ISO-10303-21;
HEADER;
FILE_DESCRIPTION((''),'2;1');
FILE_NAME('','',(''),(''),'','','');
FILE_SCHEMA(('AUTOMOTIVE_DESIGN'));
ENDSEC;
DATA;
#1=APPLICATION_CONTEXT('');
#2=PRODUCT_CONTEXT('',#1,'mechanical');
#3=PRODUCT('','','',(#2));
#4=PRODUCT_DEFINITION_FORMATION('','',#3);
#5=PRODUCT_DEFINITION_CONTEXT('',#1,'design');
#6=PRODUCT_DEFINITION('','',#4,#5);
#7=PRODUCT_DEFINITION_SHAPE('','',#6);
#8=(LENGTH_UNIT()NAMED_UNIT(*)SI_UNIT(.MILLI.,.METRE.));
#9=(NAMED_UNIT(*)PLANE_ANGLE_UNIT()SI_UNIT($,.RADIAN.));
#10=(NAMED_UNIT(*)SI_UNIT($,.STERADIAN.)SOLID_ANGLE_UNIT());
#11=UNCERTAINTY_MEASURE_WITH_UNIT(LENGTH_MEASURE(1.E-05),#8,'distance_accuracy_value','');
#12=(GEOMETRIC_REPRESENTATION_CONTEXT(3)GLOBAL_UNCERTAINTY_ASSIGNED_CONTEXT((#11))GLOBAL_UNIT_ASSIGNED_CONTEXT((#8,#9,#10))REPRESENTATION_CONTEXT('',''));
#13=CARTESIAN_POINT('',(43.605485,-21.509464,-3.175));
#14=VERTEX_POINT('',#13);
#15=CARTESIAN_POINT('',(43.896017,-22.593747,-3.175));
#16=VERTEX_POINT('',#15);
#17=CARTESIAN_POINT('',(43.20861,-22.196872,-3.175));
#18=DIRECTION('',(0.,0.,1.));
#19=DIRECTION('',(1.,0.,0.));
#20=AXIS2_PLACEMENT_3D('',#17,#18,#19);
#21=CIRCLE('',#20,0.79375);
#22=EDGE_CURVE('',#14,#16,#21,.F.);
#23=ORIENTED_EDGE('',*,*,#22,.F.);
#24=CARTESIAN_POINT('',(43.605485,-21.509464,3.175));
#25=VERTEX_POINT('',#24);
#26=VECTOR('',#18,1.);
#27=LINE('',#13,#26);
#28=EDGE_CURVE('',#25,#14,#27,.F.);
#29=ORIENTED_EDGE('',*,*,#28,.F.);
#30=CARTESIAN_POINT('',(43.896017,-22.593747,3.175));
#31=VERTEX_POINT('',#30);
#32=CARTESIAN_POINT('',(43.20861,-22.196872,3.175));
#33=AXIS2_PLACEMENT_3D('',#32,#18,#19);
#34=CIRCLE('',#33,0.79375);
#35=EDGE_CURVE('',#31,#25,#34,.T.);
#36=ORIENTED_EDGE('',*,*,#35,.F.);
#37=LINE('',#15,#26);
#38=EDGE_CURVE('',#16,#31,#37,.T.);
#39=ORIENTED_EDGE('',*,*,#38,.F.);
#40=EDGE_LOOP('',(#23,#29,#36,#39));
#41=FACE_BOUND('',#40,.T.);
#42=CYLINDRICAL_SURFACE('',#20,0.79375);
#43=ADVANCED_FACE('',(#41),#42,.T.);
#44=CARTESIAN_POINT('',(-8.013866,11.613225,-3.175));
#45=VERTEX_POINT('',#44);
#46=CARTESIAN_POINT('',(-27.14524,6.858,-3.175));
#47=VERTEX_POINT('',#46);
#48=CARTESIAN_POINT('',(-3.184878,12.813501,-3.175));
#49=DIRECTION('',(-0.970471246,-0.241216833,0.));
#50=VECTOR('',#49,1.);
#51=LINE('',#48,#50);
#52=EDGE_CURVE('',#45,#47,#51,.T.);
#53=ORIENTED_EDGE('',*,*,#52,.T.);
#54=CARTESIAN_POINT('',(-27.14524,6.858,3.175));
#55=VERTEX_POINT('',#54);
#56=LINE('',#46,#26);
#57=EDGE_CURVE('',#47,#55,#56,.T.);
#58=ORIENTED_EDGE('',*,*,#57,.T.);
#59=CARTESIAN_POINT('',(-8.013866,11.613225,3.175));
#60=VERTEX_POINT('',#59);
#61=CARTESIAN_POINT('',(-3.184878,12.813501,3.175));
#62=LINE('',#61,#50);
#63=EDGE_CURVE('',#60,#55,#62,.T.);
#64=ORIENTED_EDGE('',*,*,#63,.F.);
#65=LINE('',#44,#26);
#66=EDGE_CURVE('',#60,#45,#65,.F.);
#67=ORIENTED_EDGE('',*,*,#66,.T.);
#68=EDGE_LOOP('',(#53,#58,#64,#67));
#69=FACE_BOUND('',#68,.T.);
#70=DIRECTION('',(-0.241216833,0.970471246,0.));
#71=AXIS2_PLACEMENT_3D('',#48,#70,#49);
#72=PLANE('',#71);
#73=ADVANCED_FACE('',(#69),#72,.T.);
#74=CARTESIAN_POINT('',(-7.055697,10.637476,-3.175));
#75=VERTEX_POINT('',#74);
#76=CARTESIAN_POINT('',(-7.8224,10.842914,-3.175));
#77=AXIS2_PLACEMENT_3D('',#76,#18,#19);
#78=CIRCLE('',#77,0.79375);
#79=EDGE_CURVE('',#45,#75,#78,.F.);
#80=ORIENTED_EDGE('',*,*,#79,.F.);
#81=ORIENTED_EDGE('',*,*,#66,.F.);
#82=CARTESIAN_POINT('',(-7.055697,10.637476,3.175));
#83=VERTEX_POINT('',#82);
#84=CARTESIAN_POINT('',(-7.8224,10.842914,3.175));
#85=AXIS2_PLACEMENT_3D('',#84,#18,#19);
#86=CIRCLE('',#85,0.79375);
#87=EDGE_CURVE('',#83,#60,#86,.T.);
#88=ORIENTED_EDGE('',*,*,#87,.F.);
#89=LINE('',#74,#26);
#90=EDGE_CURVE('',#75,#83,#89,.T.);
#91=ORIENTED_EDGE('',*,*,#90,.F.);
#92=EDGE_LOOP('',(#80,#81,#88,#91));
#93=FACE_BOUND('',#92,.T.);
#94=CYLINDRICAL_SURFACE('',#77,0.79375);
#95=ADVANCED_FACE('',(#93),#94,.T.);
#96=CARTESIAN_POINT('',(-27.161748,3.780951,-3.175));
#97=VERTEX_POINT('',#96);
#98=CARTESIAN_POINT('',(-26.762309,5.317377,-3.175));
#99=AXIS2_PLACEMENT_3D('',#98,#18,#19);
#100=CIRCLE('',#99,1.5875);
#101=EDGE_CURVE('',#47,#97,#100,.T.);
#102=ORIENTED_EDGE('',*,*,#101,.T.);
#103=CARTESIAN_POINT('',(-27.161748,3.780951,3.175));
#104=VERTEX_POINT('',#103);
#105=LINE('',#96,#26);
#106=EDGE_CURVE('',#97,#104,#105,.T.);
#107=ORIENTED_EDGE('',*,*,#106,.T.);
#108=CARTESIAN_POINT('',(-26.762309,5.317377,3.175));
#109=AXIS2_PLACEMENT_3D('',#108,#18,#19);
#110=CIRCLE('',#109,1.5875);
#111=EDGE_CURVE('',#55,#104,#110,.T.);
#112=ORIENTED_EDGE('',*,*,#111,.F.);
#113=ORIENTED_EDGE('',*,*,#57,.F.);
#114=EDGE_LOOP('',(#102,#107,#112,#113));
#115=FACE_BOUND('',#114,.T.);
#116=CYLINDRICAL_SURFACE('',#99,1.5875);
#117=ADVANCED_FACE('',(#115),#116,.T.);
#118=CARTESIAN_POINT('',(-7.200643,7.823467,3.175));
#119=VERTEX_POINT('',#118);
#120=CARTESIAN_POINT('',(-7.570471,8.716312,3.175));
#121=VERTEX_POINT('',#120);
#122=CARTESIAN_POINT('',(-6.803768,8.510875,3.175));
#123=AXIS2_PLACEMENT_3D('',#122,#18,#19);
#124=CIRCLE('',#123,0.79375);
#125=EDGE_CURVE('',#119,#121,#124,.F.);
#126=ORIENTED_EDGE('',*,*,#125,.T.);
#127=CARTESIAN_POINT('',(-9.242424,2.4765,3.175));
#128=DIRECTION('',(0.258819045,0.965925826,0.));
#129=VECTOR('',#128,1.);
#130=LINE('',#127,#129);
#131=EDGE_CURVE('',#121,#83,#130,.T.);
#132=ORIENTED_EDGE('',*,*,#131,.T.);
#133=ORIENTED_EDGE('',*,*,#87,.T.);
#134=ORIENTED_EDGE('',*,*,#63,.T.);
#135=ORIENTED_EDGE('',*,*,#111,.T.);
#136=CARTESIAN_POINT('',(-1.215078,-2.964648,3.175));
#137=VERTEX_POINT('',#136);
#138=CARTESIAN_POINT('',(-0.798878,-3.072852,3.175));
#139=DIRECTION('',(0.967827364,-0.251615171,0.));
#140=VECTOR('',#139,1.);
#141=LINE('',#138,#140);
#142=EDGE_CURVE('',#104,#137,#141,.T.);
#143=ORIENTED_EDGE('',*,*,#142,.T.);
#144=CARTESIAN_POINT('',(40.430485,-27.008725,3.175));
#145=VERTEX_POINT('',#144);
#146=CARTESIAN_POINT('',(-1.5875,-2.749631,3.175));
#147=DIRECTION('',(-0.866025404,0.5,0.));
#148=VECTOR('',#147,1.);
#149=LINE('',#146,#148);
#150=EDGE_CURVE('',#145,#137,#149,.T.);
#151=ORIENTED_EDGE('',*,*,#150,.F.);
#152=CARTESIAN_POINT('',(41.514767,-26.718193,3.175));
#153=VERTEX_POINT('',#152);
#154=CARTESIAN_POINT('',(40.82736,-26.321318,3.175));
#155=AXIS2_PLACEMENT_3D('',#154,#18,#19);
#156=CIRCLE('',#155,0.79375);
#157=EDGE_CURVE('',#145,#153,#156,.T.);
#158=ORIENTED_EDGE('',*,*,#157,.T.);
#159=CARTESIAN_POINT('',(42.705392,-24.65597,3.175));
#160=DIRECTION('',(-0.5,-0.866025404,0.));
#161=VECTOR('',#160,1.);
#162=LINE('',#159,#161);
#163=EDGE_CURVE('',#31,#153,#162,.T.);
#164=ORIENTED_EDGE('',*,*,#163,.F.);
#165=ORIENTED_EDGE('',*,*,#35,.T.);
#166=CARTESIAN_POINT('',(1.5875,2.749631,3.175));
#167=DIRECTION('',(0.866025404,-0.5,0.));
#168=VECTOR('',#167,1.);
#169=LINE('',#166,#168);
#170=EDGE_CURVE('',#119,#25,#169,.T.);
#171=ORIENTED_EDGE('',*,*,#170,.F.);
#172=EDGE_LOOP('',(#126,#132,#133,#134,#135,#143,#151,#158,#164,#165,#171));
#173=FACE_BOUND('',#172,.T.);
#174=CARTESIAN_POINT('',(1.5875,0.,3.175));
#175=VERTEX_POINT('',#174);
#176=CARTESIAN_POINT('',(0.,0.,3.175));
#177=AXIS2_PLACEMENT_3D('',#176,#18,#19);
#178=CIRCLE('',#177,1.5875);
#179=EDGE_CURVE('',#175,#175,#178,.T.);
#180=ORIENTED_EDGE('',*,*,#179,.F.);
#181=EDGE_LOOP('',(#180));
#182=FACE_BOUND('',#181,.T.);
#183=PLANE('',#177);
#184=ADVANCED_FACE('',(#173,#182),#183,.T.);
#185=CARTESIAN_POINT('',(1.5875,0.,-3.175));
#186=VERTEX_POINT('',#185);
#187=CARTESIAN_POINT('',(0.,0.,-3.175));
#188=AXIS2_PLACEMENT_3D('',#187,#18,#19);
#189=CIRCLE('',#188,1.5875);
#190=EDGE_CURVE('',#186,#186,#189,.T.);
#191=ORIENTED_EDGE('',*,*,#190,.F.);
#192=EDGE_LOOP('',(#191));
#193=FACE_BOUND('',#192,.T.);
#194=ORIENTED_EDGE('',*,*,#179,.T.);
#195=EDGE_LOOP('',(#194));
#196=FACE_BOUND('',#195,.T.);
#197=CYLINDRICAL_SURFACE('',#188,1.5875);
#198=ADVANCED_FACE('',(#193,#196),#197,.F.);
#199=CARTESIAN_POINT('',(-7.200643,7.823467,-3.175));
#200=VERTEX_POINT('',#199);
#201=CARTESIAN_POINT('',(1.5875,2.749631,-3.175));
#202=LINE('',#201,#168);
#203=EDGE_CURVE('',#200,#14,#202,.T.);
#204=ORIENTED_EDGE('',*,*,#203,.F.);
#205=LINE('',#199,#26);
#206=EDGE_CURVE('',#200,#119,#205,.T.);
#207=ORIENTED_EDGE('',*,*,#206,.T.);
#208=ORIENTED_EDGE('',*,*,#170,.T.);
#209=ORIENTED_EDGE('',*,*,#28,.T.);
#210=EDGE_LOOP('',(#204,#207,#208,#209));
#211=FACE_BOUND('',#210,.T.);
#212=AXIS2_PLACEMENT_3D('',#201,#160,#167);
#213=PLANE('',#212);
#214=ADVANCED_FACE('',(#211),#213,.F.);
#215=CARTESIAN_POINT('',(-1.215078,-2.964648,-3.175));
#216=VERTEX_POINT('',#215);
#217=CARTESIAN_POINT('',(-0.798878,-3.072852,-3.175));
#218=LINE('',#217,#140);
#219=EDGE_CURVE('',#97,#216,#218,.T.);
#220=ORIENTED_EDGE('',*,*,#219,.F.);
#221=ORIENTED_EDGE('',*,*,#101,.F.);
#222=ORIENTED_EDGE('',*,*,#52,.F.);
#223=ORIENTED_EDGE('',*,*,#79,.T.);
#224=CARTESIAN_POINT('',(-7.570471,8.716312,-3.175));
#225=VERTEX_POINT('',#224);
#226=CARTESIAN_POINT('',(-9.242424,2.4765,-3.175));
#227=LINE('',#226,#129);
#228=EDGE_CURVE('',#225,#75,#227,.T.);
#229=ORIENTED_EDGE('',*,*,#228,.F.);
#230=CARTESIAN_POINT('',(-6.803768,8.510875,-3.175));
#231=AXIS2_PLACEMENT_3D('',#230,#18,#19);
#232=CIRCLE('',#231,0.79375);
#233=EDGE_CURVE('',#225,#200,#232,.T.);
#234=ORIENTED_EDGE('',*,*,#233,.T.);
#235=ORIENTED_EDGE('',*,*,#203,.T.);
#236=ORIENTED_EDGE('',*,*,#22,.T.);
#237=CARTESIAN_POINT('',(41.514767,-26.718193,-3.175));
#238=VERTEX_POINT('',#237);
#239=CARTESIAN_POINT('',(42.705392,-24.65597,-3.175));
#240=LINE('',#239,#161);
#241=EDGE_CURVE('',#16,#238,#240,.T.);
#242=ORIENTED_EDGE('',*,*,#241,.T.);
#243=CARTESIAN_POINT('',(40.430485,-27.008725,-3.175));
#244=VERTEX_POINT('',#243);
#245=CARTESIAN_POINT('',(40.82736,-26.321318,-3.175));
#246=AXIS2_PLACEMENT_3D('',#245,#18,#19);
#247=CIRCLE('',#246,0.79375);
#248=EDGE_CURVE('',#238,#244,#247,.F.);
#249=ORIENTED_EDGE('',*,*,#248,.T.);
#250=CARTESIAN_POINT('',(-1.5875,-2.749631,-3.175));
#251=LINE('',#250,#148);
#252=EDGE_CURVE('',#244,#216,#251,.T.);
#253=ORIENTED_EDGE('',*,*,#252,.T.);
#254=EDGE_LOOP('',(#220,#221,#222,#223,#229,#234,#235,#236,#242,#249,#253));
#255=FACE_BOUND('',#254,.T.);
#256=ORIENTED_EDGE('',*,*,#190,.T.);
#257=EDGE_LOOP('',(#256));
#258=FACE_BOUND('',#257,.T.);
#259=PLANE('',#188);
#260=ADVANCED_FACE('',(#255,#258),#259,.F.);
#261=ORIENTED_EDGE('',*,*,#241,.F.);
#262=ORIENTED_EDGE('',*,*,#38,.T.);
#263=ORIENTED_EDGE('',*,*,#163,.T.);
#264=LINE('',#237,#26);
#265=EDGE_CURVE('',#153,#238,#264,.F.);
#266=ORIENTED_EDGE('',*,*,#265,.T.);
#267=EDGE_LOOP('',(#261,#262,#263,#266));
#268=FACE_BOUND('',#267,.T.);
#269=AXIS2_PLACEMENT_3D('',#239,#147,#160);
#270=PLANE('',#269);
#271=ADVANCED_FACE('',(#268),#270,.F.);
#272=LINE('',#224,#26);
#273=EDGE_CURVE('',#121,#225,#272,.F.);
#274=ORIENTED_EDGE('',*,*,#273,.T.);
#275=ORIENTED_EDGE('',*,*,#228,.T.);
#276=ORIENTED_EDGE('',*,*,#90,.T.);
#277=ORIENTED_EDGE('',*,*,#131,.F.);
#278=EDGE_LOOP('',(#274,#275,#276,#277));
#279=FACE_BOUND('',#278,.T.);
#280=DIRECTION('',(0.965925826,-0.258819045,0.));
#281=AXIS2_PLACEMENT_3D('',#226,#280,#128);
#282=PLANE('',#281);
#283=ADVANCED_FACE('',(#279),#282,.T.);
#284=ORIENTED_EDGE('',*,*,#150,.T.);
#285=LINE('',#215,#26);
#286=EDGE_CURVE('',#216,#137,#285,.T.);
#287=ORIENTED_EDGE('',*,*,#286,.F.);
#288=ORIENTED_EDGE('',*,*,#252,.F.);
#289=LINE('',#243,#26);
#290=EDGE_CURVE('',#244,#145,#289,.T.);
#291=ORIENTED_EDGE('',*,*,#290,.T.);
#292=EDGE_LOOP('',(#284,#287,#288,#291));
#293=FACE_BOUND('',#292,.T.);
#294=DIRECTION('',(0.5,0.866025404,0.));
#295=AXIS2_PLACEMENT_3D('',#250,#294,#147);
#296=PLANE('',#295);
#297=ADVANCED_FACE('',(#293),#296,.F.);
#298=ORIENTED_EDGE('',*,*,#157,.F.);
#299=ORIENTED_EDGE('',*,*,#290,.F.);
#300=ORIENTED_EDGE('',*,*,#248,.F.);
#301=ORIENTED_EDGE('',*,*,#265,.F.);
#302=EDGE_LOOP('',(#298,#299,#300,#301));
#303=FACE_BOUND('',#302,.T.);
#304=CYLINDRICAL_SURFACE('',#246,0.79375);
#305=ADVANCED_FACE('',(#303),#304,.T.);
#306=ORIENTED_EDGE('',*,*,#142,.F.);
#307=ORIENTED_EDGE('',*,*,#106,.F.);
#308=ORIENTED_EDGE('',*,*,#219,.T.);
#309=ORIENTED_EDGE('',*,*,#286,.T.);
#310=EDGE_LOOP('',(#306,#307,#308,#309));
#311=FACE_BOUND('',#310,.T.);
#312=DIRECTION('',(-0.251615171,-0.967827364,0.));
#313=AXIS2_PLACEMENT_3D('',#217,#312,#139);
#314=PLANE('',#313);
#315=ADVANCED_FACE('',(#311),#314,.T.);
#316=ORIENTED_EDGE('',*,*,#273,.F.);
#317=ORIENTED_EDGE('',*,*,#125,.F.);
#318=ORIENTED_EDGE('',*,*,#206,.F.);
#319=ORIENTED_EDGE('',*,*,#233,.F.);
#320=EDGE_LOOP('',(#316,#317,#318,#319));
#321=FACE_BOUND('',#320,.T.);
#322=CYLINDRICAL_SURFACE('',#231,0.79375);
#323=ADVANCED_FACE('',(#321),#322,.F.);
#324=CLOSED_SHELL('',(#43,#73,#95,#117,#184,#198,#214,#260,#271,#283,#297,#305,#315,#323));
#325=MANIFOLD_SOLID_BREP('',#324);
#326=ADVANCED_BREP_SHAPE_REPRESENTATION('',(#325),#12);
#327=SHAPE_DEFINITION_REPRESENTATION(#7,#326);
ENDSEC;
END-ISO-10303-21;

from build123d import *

# Parameters (mm, degrees)
BOSS_EXTRUDE1_DEPTH      = 3.175
BOSS_EXTRUDE1_DEPTH_BACK = 3.175
SKETCH1_R                = 1.5875
FILLET1_R                = 0.79375


with BuildPart() as part:
    # Sketch1 → Boss-Extrude1 (new, two sides: drawn at the far end of the back side and taken through both)
    with BuildSketch(Plane.XY.offset(-BOSS_EXTRUDE1_DEPTH_BACK)):
        with BuildLine():
            Line((-7.728108964, 8.128), (-6.707222541, 11.938))
            Line((-6.707222541, 11.938), (-27.145240318, 6.858))
            ThreePointArc((-27.145240318, 6.858), (-28.349785751, 5.325893193), (-27.161747679, 3.780950957))
            Line((-27.161747679, 3.780950957), (-1.215078314, -2.964648418))
            Line((-1.215078314, -2.964648418), (41.117892306, -27.405600401))
            Line((41.117892306, -27.405600401), (44.292892306, -21.906339087))
            Line((44.292892306, -21.906339087), (-7.728108964, 8.128))
        make_face()
        Circle(SKETCH1_R, mode=Mode.SUBTRACT)
    extrude(amount=BOSS_EXTRUDE1_DEPTH + BOSS_EXTRUDE1_DEPTH_BACK)

    # Fillet1
    fillet1_edges = [part.edges().sort_by_distance(p)[0] for p in [
        (44.292892306, -21.906339087, 0),
        (41.117892306, -27.405600401, 0),
        (-7.728108964, 8.128, 0),
        (-6.707222541, 11.938, 0),
    ]]
    fillet(fillet1_edges, radius=FILLET1_R)


solid = part.part
